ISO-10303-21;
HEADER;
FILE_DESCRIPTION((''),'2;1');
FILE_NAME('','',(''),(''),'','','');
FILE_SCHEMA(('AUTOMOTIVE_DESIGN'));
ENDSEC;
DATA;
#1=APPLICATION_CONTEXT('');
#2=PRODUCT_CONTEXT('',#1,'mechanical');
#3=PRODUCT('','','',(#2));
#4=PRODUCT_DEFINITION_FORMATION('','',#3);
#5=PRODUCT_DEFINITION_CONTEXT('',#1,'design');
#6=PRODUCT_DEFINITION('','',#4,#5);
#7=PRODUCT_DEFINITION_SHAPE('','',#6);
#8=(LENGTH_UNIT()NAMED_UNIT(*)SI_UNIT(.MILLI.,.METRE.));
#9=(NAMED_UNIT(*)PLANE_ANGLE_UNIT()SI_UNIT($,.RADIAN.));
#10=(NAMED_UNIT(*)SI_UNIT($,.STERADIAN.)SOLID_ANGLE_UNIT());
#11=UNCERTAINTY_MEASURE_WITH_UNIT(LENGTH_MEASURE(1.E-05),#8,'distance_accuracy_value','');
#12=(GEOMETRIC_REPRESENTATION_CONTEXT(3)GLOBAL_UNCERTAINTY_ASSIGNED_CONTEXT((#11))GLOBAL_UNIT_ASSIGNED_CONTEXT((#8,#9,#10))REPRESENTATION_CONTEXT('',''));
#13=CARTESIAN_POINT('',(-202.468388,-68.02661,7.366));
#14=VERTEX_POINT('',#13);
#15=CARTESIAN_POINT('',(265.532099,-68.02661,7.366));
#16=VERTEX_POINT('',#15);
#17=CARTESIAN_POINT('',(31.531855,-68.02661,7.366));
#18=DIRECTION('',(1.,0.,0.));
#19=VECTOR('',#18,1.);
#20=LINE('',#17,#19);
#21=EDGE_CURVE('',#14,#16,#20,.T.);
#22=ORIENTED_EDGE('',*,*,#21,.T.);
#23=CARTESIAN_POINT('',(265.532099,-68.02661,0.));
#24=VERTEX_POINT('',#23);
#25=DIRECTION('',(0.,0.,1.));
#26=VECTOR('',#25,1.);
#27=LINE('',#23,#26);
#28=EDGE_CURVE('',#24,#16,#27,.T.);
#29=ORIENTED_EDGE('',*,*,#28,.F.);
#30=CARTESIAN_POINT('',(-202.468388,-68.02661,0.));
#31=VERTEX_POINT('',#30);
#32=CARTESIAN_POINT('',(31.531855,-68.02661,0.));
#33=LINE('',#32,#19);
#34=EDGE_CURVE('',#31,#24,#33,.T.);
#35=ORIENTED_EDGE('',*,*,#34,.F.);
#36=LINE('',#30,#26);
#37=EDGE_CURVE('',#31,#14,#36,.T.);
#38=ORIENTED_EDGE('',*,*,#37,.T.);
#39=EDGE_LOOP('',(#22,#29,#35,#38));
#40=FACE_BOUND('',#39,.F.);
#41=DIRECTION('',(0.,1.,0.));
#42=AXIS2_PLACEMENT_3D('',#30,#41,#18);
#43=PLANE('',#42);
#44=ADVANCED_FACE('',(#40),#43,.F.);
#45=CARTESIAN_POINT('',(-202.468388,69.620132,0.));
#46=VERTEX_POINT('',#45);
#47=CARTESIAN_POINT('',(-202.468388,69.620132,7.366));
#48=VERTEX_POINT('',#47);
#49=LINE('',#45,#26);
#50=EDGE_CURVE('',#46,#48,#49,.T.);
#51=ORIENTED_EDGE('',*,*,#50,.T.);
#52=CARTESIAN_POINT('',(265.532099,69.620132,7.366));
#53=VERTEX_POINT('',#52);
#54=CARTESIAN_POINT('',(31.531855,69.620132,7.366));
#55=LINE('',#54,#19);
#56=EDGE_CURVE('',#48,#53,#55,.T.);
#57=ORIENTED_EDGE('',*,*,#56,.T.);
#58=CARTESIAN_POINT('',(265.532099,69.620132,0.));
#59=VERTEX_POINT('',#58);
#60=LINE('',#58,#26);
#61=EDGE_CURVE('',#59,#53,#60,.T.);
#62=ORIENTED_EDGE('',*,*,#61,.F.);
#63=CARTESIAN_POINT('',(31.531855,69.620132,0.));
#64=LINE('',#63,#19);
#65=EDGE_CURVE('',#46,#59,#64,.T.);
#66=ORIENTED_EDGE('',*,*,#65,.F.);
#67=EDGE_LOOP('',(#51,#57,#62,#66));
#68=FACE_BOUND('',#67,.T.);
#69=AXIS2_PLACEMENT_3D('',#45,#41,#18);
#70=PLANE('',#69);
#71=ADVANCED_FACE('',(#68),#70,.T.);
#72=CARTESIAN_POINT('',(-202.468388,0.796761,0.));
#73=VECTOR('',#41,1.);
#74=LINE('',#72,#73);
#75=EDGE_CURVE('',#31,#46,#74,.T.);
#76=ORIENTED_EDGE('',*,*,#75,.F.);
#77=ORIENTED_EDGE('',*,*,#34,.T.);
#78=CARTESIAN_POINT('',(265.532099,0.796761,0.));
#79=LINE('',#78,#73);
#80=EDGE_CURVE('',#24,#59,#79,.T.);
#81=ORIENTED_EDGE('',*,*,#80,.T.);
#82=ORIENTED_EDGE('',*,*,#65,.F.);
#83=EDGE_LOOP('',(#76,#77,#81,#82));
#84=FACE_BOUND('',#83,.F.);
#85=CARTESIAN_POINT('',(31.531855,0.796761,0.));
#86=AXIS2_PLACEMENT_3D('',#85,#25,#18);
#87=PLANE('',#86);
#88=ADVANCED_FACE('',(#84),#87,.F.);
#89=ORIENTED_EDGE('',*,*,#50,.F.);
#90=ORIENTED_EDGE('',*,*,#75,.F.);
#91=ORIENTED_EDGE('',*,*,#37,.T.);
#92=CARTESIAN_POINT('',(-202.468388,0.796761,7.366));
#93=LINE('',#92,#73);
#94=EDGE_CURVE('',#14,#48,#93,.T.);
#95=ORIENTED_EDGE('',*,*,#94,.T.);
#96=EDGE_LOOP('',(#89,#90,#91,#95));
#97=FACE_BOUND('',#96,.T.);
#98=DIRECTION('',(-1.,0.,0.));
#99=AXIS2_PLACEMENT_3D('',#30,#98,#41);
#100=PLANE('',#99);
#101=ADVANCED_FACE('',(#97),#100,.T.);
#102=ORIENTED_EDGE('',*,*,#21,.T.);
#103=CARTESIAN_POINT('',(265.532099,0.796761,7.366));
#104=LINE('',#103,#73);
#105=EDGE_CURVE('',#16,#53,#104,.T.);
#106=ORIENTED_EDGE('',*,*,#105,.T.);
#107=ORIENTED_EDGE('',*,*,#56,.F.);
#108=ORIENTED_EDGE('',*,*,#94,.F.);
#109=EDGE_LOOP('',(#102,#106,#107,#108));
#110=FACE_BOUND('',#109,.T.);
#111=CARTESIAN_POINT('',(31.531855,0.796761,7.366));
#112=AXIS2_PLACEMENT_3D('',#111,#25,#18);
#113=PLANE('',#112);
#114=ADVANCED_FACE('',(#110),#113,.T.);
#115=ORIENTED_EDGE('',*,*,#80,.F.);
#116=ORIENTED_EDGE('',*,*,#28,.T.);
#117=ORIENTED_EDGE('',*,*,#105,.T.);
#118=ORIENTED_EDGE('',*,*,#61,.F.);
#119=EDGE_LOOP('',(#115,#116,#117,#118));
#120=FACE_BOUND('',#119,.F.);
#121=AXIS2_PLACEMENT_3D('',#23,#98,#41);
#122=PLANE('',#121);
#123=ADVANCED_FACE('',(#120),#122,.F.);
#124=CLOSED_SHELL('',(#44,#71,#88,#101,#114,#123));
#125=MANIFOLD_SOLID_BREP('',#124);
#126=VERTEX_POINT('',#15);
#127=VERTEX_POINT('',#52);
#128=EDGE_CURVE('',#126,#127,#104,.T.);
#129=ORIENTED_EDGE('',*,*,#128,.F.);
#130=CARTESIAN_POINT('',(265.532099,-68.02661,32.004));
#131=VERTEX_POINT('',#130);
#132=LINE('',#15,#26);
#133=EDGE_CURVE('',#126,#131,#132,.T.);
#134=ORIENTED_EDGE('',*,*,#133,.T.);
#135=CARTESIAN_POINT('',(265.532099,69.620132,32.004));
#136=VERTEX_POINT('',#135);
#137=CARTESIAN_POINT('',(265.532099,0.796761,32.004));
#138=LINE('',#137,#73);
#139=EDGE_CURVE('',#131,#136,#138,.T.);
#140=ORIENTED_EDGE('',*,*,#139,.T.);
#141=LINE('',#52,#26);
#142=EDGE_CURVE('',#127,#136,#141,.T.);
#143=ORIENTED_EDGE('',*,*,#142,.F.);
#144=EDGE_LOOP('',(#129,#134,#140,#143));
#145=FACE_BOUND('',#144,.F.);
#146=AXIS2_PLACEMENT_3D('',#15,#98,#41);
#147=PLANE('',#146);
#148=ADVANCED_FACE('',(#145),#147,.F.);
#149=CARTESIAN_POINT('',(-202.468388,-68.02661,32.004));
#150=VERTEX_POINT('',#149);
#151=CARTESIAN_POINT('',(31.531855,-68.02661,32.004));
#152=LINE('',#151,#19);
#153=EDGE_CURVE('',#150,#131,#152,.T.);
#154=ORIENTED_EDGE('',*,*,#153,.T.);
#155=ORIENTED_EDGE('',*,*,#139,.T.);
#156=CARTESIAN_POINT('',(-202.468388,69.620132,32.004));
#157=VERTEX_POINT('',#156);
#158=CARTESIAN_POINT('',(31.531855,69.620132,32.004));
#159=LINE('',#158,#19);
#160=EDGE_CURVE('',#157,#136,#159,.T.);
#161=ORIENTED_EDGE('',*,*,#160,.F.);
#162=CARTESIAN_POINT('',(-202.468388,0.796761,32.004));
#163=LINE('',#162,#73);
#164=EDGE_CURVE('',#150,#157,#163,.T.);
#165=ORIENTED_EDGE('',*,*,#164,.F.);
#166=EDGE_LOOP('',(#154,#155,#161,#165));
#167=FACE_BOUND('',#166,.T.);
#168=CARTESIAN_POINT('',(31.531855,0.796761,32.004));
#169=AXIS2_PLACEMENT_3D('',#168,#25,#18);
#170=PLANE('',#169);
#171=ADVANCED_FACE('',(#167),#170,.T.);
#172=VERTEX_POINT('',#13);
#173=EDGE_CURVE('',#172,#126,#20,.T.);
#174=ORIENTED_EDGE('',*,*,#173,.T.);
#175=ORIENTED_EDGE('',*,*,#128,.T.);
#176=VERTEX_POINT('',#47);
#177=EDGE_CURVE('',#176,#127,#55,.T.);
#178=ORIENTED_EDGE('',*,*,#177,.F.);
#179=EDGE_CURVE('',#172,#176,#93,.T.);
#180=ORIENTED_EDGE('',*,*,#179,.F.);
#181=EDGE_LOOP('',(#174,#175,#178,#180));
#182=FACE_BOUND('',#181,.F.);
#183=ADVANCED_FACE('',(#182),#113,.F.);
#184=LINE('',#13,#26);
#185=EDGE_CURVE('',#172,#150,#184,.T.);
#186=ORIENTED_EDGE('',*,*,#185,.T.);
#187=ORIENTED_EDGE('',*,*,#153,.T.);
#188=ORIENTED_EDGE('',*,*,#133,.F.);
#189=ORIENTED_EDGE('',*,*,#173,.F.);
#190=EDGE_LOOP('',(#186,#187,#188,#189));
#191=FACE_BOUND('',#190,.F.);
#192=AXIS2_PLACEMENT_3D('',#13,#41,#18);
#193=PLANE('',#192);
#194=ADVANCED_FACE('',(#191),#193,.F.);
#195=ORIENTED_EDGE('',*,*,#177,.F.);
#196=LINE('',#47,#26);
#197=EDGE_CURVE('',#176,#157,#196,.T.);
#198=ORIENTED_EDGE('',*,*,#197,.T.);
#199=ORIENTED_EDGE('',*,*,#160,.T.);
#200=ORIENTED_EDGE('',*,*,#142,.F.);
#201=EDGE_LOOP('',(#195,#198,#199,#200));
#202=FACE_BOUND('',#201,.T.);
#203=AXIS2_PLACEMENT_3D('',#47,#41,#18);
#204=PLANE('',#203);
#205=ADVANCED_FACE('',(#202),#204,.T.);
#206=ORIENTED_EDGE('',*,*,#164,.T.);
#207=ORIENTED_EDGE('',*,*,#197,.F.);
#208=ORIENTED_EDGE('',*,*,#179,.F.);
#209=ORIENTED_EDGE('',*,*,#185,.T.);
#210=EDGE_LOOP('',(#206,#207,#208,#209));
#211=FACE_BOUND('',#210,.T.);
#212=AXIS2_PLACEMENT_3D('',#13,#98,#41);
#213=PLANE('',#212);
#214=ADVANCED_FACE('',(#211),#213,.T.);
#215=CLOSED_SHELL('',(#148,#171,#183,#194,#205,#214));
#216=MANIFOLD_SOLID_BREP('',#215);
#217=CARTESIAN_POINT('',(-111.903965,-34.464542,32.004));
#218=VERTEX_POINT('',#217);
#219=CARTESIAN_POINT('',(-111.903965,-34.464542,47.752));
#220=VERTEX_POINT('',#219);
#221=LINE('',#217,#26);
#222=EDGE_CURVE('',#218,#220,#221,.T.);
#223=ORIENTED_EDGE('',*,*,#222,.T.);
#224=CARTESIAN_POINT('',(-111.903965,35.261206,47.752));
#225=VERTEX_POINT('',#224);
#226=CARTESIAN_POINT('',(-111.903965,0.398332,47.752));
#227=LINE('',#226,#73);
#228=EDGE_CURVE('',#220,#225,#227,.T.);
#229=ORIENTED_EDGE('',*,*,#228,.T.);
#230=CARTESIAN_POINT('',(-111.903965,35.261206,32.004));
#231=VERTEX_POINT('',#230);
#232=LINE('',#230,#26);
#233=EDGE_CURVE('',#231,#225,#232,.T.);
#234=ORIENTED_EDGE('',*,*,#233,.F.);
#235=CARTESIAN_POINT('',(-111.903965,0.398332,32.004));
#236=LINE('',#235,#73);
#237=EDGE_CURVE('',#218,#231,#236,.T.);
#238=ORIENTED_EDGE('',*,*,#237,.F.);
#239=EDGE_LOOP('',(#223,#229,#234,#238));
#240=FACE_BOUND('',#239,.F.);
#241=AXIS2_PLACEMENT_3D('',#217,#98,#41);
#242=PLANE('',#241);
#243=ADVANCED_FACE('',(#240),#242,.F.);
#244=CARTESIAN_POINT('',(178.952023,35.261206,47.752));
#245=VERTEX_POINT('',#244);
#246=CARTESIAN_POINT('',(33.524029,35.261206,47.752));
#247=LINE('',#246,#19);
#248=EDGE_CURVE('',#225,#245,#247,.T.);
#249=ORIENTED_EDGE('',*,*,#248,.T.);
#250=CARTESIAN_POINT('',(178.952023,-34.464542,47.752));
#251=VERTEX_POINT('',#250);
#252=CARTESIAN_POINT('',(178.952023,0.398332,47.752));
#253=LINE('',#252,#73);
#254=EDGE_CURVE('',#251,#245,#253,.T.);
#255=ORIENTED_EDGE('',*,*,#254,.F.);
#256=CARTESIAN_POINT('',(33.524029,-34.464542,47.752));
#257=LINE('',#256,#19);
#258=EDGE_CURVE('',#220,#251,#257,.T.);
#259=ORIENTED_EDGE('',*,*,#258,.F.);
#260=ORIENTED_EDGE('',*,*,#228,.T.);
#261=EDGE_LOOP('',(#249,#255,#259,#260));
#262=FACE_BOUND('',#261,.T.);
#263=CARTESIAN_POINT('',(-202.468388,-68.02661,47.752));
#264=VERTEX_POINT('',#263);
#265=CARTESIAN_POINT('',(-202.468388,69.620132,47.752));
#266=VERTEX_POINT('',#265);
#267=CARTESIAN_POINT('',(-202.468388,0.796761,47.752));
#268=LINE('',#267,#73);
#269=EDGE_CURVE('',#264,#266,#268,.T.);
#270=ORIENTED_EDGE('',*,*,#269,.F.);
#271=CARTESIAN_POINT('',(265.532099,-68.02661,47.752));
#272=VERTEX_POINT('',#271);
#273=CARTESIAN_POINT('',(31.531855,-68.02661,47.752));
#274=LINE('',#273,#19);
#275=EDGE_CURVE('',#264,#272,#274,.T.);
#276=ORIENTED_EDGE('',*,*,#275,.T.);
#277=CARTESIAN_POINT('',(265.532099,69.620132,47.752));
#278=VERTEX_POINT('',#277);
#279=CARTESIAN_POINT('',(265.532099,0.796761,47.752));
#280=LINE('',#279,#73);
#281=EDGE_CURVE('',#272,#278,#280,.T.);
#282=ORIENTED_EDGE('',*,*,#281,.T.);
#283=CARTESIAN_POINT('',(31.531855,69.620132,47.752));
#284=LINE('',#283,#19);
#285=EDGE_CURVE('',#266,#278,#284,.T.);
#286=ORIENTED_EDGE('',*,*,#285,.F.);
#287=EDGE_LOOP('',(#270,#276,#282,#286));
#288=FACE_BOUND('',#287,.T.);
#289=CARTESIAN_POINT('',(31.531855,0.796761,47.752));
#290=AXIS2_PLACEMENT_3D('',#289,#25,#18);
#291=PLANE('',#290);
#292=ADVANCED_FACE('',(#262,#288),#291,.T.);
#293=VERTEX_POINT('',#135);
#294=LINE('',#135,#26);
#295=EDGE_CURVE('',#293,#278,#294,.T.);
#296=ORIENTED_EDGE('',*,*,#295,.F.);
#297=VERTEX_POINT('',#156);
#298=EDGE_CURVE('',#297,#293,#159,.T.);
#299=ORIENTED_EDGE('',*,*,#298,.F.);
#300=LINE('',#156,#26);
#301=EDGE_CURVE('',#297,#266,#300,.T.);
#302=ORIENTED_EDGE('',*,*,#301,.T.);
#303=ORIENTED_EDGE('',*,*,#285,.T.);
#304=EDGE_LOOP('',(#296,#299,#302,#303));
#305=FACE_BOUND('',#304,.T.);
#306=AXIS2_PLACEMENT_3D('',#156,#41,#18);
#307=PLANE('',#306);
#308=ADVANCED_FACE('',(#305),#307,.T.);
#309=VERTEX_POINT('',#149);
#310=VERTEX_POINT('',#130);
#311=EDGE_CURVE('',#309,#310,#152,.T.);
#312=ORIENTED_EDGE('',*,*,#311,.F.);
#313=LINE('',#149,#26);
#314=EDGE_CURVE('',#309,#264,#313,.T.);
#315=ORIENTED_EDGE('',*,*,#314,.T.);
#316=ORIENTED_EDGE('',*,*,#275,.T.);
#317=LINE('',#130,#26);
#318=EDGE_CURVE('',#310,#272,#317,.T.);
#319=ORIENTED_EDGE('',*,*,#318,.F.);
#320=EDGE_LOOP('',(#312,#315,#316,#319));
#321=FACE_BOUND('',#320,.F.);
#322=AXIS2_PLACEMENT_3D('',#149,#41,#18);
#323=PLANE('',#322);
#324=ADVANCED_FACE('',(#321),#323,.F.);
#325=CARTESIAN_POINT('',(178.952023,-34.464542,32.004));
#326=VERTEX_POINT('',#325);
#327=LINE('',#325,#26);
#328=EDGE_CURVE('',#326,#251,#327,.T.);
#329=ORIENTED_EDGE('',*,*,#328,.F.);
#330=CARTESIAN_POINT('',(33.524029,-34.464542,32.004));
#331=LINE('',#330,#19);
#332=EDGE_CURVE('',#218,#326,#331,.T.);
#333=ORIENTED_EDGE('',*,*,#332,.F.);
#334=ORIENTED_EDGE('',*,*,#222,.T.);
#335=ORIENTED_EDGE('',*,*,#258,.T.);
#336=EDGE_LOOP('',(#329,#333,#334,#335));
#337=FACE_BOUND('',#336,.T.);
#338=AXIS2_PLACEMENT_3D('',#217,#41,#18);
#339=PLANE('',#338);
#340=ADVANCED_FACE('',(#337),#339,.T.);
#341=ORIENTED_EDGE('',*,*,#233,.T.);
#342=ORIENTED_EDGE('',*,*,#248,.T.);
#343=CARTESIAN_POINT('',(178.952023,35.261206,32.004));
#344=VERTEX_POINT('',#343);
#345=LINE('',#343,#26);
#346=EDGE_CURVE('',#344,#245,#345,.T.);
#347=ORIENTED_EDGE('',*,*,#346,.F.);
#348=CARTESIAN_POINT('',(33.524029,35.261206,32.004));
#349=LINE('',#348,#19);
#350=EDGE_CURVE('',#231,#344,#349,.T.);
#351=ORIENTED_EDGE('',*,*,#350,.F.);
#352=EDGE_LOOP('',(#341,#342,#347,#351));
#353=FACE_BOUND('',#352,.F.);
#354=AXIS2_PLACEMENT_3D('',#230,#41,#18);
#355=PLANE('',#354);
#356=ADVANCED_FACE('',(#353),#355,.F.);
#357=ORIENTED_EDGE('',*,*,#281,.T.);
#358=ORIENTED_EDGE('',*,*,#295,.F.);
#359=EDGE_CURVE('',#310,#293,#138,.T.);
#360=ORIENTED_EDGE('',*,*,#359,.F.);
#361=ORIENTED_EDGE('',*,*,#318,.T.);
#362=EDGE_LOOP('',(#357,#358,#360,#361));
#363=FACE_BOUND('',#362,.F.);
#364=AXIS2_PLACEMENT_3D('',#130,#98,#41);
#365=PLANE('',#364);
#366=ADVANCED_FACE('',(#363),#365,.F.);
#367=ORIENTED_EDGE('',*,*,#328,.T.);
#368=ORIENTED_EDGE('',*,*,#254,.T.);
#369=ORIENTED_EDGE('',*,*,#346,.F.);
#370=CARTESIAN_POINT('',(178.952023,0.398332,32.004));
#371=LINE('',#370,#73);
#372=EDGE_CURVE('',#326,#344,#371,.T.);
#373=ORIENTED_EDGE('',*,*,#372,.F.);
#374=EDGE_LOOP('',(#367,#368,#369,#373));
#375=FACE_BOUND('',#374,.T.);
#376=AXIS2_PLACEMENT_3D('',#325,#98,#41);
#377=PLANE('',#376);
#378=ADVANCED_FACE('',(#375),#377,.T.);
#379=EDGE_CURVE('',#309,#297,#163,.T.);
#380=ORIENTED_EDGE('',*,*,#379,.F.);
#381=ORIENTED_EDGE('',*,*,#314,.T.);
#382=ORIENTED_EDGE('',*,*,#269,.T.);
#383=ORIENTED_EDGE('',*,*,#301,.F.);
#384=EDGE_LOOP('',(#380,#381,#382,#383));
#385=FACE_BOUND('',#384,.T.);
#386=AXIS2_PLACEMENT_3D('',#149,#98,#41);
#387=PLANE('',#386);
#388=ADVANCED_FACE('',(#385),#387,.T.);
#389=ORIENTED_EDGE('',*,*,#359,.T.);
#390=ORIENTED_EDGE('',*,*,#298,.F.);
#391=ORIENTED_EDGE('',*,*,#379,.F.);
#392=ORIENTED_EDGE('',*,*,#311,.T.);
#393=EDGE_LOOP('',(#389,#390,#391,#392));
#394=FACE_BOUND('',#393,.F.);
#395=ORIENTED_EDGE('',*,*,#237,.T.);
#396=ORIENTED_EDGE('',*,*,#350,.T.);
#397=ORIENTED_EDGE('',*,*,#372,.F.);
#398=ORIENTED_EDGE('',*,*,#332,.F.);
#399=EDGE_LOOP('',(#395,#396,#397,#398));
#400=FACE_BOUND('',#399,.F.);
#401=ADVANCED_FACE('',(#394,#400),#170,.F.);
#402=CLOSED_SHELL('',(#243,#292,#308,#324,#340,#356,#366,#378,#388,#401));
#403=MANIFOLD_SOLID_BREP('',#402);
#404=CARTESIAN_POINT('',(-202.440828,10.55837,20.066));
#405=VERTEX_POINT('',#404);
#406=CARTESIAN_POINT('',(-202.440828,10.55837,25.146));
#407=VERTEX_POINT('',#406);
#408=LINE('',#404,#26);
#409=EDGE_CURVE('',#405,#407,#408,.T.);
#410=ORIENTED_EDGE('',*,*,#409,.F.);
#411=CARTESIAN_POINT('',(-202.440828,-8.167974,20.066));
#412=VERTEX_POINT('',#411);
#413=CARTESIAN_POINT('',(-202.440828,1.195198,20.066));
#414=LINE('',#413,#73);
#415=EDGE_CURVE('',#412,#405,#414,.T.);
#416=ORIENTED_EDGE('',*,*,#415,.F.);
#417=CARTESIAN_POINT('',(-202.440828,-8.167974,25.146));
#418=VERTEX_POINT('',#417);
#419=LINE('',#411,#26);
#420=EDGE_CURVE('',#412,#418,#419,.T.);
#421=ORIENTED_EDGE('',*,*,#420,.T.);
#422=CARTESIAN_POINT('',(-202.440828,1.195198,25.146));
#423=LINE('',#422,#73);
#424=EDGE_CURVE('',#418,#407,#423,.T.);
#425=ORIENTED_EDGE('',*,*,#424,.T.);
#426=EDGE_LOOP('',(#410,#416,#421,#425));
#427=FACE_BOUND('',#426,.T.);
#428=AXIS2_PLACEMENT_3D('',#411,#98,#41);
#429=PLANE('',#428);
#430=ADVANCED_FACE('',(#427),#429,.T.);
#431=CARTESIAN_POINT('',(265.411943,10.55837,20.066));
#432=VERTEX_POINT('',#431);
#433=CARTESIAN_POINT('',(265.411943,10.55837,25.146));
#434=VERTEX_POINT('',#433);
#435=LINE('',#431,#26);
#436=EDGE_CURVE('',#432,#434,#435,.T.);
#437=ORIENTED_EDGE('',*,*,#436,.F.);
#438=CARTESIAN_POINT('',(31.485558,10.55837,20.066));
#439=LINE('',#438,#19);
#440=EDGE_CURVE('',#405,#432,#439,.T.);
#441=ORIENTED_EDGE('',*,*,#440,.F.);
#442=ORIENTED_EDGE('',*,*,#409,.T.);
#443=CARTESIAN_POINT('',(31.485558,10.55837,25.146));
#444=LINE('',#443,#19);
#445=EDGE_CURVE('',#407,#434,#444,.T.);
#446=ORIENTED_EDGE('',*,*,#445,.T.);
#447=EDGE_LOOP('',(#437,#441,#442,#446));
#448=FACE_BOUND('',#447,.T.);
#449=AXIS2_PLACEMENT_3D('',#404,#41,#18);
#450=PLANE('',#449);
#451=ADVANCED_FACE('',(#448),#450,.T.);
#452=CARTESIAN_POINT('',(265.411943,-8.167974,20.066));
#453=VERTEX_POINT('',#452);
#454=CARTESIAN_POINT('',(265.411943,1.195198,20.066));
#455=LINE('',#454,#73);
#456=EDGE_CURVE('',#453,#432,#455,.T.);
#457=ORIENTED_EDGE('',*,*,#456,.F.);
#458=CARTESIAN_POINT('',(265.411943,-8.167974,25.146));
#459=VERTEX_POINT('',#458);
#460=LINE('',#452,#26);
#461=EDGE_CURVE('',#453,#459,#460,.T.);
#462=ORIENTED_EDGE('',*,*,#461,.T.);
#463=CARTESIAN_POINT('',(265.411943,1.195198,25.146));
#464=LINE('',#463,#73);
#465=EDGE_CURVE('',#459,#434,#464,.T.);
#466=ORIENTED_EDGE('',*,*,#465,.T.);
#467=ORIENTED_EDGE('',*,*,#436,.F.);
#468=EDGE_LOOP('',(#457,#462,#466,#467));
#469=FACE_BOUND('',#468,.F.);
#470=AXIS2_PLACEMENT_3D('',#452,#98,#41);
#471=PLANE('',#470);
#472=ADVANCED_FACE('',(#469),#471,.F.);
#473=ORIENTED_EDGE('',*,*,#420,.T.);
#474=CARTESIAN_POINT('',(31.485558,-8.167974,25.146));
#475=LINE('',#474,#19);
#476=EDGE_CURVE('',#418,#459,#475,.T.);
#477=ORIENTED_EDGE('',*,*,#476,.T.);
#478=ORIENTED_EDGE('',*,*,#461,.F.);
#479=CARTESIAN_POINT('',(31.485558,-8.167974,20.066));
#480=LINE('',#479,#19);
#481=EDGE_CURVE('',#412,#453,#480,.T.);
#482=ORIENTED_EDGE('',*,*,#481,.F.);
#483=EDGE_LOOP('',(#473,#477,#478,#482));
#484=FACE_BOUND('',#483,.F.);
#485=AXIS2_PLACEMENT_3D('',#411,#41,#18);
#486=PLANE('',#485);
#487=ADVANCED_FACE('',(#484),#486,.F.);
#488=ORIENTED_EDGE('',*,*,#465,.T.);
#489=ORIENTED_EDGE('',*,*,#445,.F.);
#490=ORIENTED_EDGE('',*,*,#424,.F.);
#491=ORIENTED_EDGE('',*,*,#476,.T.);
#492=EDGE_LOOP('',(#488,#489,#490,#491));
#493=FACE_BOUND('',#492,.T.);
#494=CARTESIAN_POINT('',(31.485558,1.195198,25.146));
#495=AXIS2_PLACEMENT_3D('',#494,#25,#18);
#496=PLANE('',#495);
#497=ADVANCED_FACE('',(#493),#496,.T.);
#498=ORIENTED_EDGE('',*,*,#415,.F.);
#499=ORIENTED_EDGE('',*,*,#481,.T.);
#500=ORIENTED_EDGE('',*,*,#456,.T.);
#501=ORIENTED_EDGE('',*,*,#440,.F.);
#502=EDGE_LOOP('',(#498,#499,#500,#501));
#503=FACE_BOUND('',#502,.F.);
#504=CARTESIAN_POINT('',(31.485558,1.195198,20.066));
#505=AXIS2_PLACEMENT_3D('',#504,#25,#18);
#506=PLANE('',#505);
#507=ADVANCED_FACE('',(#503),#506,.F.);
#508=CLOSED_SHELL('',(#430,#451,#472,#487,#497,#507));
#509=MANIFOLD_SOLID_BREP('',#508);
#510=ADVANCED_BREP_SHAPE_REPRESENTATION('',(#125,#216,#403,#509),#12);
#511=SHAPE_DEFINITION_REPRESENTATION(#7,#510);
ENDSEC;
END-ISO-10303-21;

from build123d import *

# Parameters (mm, degrees)
F0_W     = 468.0004864931
F0_H     = 137.6467421651
F1_DEPTH = 7.366
F3_W     = 467.8527712822
F3_H     = 18.726343289
F4_DEPTH = 5.08
F5_W     = 468.0004864931
F5_H     = 137.6467421651
F6_DEPTH = 24.638
F7_W     = 468.0004864931
F7_H     = 137.6467421651
F7_W_2   = 290.8559888601
F7_H_2   = 69.7257481515
F8_DEPTH = 15.748


with BuildPart() as f1:
    # F0 (on Top) → F1 (new body)
    with BuildSketch(Plane.XY):
        with Locations((31.531855464, 0.7967613637)):
            Rectangle(F0_W, F0_H)
    extrude(amount=F1_DEPTH)


with BuildPart() as f4:
    # F3 (on offset) → F4 (new body)
    with BuildSketch(Plane.XY.offset(20.066)):
        with Locations((31.4855575562, 1.195197925)):
            Rectangle(F3_W, F3_H)
    extrude(amount=F4_DEPTH)


with BuildPart() as f6:
    # F5 (on face) → F6 (new body)
    with BuildSketch(Plane.XY.offset(7.366)):
        with Locations((31.531855464, 0.7967613637)):
            Rectangle(F5_W, F5_H)
    extrude(amount=F6_DEPTH)


with BuildPart() as f8:
    # F7 (on face) → F8 (new body)
    with BuildSketch(Plane.XY.offset(32.004)):
        with Locations((31.531855464, 0.7967613637)):
            Rectangle(F7_W, F7_H)
        with Locations((33.5240289569, 0.3983322531)):
            Rectangle(F7_W_2, F7_H_2, mode=Mode.SUBTRACT)
    extrude(amount=F8_DEPTH)


solid = Compound([f1.part, f4.part, f6.part, f8.part])
